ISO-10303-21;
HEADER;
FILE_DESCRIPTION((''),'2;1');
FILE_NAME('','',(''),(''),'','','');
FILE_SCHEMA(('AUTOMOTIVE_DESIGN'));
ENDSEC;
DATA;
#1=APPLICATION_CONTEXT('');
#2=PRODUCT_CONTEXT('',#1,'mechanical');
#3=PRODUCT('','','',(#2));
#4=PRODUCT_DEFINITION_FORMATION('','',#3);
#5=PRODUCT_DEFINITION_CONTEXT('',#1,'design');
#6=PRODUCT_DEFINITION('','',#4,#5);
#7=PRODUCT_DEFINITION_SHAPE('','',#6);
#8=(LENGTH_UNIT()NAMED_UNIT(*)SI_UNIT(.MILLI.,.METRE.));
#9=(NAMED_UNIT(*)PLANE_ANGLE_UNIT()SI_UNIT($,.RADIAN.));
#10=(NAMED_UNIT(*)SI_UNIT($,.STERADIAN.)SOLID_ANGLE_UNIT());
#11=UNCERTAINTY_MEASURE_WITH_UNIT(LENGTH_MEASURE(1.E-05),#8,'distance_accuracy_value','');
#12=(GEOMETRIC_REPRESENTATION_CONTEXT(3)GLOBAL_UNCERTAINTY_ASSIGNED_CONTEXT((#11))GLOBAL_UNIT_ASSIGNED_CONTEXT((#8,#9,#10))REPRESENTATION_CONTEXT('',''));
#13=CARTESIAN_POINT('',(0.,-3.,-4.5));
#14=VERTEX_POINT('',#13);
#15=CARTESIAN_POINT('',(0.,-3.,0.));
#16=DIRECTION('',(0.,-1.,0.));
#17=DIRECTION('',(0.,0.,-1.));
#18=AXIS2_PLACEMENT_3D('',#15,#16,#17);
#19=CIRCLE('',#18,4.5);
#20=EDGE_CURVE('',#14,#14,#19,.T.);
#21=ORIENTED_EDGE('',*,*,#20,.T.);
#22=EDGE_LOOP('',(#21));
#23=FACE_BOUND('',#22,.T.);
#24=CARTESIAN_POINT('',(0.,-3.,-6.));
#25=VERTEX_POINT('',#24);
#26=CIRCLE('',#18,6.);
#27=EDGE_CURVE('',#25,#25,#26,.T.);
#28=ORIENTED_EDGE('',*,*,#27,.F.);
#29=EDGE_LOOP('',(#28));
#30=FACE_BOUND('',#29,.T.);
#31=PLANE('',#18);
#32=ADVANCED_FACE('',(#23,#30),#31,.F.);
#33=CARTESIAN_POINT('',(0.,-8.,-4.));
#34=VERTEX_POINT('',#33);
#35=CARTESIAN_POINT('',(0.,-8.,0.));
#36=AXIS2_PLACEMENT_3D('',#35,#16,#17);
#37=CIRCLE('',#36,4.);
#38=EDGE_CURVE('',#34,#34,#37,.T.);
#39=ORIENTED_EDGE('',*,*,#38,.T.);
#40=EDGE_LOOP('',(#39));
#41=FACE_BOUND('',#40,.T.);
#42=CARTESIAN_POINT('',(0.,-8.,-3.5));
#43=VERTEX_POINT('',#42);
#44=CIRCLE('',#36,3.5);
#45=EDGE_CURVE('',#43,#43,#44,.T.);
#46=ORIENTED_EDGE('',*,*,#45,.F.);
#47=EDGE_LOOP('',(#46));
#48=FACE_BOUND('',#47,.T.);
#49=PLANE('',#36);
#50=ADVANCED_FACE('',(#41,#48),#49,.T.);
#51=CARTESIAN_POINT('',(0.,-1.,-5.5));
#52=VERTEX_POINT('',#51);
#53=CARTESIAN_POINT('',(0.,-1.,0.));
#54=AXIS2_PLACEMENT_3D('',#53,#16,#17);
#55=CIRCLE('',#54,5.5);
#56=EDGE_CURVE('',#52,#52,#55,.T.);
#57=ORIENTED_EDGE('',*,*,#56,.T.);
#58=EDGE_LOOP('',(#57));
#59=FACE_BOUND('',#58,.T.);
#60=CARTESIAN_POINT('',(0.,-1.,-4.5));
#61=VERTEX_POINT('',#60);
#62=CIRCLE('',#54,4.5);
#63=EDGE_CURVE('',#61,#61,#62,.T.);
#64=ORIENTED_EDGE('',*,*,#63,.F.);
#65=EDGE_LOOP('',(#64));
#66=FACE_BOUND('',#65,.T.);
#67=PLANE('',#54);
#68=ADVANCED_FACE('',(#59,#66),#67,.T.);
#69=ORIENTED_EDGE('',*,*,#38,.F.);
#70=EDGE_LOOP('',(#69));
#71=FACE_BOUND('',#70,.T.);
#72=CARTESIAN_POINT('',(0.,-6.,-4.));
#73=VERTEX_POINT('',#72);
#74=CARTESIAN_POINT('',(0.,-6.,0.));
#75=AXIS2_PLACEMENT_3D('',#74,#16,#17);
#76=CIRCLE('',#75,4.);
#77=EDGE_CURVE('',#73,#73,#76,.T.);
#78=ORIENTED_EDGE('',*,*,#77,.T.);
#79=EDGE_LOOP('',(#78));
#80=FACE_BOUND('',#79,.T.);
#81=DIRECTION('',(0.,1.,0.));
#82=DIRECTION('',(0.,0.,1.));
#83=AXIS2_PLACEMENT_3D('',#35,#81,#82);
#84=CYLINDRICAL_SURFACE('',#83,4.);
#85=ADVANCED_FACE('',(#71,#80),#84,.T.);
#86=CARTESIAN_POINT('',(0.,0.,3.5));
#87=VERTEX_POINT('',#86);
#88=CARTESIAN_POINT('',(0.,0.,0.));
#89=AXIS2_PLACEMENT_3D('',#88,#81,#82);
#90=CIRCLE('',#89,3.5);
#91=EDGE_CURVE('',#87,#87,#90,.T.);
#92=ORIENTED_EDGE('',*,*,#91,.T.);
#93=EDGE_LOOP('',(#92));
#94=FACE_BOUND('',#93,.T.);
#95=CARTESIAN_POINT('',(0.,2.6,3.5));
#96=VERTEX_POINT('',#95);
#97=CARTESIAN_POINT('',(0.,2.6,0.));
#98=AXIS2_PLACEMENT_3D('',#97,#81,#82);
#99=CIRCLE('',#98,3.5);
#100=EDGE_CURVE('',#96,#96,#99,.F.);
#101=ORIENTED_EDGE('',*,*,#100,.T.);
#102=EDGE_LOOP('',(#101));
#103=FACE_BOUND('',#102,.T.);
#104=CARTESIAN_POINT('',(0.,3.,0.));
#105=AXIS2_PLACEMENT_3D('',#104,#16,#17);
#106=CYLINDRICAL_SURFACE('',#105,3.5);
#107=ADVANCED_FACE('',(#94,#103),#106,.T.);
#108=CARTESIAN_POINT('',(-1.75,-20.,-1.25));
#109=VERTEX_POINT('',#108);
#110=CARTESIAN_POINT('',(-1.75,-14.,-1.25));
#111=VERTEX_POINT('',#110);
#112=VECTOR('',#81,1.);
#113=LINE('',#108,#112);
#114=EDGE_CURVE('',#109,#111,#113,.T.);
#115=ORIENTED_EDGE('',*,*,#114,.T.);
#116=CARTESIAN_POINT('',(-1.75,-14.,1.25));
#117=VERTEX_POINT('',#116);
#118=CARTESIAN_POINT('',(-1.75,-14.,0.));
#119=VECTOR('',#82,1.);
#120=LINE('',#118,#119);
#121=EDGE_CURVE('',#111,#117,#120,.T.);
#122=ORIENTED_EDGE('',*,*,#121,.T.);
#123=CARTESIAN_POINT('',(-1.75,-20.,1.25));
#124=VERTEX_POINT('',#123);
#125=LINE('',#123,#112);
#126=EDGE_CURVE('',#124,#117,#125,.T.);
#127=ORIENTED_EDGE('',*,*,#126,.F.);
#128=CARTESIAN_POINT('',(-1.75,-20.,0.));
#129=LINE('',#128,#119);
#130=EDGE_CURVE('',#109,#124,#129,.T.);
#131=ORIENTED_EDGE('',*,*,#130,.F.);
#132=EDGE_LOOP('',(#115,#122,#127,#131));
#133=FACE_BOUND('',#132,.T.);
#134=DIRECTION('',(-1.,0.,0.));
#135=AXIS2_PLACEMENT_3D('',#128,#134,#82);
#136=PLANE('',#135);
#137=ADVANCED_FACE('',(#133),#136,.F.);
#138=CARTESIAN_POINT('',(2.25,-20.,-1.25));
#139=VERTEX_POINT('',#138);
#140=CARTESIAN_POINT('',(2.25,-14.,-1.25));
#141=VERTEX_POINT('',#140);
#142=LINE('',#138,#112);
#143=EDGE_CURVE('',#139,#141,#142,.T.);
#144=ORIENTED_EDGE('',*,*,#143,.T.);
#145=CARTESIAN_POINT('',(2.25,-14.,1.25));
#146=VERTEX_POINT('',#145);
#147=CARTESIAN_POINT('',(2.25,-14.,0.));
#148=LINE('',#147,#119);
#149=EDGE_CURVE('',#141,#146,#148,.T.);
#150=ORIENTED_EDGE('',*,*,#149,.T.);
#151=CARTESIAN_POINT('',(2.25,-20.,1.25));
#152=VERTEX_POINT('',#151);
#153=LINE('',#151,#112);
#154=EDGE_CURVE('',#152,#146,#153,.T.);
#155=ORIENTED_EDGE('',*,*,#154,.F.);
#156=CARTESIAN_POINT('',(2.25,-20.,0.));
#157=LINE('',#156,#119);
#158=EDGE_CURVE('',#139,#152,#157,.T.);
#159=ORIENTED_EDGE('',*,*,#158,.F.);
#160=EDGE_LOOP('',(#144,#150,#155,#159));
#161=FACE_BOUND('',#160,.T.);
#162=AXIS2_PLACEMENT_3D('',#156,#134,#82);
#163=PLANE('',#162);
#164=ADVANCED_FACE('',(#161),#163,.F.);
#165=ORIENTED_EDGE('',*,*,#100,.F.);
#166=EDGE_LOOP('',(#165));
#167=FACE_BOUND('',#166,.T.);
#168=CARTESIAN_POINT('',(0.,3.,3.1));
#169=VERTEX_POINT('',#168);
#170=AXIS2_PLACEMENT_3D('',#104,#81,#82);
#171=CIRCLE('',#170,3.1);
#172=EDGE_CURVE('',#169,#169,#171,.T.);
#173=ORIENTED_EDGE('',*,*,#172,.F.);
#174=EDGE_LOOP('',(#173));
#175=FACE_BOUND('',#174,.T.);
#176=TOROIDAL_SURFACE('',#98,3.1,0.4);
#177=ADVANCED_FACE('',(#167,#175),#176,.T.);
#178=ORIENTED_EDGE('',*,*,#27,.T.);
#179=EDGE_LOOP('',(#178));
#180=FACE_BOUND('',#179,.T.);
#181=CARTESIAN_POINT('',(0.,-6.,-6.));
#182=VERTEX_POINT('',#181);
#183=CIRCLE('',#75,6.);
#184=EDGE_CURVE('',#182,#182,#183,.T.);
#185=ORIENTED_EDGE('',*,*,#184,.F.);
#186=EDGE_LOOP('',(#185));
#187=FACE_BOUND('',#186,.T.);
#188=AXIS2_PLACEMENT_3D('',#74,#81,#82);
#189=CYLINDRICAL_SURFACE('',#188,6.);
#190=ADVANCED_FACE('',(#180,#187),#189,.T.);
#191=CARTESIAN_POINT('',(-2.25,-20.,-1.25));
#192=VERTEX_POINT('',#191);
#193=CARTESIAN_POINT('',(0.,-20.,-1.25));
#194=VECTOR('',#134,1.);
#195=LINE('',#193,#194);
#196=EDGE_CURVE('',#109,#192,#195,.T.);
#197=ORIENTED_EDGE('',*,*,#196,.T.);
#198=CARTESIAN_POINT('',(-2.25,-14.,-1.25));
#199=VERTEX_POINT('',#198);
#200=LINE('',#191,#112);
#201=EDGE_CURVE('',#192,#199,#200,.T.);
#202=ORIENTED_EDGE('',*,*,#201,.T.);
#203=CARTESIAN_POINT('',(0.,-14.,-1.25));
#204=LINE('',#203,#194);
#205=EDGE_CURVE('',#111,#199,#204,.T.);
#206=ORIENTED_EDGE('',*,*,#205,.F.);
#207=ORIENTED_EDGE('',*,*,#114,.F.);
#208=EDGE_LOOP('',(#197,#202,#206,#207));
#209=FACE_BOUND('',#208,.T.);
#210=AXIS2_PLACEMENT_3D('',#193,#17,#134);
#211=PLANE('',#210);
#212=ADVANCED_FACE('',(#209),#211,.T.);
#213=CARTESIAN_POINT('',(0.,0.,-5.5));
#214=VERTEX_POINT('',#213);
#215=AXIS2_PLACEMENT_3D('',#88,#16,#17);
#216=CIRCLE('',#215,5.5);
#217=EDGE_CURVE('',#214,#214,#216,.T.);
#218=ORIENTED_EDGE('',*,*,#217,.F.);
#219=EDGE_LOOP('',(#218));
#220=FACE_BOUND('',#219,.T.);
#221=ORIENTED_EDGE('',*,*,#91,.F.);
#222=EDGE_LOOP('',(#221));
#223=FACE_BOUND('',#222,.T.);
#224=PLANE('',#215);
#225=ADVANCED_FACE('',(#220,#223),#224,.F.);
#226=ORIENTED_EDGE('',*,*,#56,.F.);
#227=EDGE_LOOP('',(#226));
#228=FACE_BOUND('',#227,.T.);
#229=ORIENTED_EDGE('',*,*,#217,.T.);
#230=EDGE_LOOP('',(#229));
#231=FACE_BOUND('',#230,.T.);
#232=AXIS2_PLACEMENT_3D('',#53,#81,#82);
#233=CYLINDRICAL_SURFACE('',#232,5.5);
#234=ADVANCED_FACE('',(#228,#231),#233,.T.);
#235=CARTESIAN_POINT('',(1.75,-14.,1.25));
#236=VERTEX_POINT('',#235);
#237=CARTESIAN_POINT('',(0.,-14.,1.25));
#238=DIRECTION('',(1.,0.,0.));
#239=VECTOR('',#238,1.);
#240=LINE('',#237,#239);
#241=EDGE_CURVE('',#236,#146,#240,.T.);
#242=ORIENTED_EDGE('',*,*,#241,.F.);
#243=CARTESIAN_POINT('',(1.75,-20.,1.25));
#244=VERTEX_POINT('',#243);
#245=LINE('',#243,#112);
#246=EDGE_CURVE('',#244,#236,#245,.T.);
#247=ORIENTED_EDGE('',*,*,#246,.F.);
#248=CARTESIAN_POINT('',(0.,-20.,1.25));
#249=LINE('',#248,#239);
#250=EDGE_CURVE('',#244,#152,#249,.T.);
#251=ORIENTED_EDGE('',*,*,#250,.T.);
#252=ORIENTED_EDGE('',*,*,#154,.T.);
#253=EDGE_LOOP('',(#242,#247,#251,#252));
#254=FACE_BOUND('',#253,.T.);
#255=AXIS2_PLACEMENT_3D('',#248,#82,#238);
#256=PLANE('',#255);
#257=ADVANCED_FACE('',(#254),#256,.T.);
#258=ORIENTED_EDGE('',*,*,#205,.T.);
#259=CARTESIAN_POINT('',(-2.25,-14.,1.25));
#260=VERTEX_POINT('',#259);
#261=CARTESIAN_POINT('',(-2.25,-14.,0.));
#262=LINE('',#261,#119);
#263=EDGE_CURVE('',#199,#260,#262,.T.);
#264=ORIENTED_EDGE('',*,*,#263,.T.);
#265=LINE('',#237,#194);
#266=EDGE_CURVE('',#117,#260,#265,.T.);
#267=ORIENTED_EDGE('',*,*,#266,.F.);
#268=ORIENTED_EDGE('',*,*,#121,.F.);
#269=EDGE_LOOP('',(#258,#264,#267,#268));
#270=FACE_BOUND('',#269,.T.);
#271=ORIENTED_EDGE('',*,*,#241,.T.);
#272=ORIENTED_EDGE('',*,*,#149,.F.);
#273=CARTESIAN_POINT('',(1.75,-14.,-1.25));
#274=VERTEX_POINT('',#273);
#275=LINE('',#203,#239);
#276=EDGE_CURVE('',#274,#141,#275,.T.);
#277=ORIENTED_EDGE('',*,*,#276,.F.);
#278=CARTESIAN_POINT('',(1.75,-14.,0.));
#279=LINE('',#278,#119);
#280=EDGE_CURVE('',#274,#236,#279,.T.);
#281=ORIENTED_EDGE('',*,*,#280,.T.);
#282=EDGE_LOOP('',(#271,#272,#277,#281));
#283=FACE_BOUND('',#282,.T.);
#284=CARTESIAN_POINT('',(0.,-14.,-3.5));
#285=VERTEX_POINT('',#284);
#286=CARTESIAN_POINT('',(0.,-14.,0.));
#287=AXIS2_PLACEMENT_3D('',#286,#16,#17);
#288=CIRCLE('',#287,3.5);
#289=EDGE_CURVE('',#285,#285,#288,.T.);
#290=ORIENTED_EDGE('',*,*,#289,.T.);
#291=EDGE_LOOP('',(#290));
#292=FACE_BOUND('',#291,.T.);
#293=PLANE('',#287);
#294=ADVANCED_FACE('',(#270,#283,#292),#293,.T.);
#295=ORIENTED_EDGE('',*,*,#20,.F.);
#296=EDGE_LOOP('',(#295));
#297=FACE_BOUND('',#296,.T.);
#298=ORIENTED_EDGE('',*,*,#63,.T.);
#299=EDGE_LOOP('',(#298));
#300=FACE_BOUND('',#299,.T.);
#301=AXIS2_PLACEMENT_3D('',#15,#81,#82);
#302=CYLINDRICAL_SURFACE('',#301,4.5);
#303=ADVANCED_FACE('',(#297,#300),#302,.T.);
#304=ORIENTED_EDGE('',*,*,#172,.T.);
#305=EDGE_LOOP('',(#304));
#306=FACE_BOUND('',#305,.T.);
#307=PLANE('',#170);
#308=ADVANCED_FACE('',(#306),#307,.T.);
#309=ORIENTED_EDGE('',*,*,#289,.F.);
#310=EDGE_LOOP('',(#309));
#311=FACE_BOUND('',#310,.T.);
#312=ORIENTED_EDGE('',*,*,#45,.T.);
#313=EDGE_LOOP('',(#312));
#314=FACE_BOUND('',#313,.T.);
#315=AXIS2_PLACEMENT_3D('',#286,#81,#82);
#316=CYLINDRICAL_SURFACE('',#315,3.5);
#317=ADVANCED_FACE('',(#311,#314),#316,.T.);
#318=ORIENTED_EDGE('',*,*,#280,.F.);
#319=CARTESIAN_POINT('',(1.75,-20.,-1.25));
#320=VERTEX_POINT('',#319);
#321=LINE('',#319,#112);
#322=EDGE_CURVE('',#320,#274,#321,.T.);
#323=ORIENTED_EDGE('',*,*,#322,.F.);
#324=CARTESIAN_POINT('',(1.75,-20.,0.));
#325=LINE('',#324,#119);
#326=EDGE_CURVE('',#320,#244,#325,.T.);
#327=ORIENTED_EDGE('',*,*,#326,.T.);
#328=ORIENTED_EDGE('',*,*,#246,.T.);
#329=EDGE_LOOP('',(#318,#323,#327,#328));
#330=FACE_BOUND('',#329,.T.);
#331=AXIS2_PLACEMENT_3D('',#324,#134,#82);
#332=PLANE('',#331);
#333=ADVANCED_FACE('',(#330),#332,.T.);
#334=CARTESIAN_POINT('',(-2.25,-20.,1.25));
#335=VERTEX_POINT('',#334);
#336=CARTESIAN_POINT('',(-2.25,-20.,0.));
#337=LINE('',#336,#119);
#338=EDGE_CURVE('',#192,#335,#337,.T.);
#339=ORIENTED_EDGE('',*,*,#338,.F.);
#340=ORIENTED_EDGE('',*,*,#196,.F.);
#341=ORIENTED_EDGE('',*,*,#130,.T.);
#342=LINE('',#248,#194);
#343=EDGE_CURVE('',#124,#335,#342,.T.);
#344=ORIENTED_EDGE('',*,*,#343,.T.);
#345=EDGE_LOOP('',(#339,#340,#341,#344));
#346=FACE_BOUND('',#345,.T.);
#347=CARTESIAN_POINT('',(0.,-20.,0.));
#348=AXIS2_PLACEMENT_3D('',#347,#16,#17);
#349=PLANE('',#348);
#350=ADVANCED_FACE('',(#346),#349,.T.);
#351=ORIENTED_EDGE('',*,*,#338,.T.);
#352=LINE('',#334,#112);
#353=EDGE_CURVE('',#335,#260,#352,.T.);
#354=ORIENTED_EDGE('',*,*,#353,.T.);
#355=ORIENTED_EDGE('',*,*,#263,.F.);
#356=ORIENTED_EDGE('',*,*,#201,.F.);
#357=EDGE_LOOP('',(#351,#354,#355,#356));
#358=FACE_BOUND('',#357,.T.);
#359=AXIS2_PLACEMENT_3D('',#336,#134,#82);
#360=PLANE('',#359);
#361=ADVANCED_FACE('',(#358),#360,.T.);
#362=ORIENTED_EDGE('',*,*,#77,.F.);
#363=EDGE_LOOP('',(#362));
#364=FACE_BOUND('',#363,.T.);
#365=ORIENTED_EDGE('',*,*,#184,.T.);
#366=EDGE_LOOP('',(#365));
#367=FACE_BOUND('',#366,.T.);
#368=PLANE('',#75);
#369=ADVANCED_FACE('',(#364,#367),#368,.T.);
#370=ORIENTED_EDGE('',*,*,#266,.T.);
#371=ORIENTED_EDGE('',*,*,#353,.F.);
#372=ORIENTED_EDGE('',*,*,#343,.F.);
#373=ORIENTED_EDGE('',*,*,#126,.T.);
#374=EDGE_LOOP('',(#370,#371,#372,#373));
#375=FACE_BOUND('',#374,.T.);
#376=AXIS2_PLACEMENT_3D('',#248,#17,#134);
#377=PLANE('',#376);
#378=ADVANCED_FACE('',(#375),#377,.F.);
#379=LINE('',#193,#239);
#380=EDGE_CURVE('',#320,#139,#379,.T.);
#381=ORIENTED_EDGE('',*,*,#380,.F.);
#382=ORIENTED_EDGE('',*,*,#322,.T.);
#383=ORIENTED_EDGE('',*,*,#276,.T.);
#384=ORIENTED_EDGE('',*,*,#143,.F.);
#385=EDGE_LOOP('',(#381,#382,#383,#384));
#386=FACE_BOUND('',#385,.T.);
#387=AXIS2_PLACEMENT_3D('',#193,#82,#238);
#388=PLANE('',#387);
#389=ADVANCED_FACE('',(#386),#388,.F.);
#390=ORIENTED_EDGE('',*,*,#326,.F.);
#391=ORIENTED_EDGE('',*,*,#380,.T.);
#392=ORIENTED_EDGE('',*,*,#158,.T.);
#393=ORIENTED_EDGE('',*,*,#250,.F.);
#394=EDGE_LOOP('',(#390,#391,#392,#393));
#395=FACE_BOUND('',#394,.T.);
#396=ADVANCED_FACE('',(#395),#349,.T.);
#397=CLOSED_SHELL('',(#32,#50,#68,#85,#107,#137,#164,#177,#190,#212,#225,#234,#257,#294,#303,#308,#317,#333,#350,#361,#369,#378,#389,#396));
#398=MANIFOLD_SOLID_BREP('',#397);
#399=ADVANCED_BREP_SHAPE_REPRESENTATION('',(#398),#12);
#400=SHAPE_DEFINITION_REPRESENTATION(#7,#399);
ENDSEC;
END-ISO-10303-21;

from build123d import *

# Parameters (mm, degrees)
SKETCH1_R           = 3.5
BOSS_EXTRUDE1_DEPTH = 3
FILLET1_R           = 0.4
SKETCH2_R           = 5.5
SKETCH2_R_2         = 3.5
BOSS_EXTRUDE2_DEPTH = 1
SKETCH3_R           = 4.5
BOSS_EXTRUDE3_DEPTH = 2
SKETCH4_R           = 6
SKETCH4_R_2         = 4.5
BOSS_EXTRUDE4_DEPTH = 3
SKETCH5_R           = 4
BOSS_EXTRUDE5_DEPTH = 2
SKETCH7_R           = 3.5
BOSS_EXTRUDE6_DEPTH = 6
SKETCH8_W           = 0.5
SKETCH8_H           = 2.5
BOSS_EXTRUDE7_DEPTH = 6


with BuildPart() as part:
    # Sketch1 → Boss-Extrude1 (new body)
    with BuildSketch(Plane(origin=(0, 0, 0), x_dir=(1, 0, 0), z_dir=(0, 1, 0))):
        with Locations(Location((0, 0, 0), (0, 0, 270))):
            Circle(SKETCH1_R)
    extrude(amount=BOSS_EXTRUDE1_DEPTH)

    # Fillet1
    fillet1_edges = [part.edges().sort_by_distance(p)[0] for p in [
        (0, 3, -3.5),
    ]]
    fillet(fillet1_edges, radius=FILLET1_R)

    # Sketch2 → Boss-Extrude2 (add)
    with BuildSketch(Plane.XZ):
        with Locations(Location((0, 0, 0), (0, 0, 270))):
            Circle(SKETCH2_R)
        with Locations(Location((0, 0, 0), (0, 0, 90))):
            Circle(SKETCH2_R_2, mode=Mode.SUBTRACT)
        with Locations(Location((0, 0, 0), (0, 0, 90))):
            Circle(SKETCH2_R_2)
    extrude(amount=BOSS_EXTRUDE2_DEPTH)

    # Sketch3 → Boss-Extrude3 (add)
    with BuildSketch(Plane.XZ.offset(1)):
        with Locations(Location((0, 0, 0), (0, 0, 270))):
            Circle(SKETCH3_R)
    extrude(amount=BOSS_EXTRUDE3_DEPTH)

    # Sketch4 → Boss-Extrude4 (add)
    with BuildSketch(Plane.XZ.offset(3)):
        with Locations(Location((0, 0, 0), (0, 0, 270))):
            Circle(SKETCH4_R)
        with Locations(Location((0, 0, 0), (0, 0, 270))):
            Circle(SKETCH4_R_2, mode=Mode.SUBTRACT)
        with Locations(Location((0, 0, 0), (0, 0, 270))):
            Circle(SKETCH4_R_2)
    extrude(amount=BOSS_EXTRUDE4_DEPTH)

    # Sketch5 → Boss-Extrude5 (add)
    with BuildSketch(Plane.XZ.offset(6)):
        with Locations(Location((0, 0, 0), (0, 0, 270))):
            Circle(SKETCH5_R)
    extrude(amount=BOSS_EXTRUDE5_DEPTH)

    # Sketch7 → Boss-Extrude6 (add)
    with BuildSketch(Plane.XZ.offset(8)):
        with Locations(Location((0, 0, 0), (0, 0, 90))):
            Circle(SKETCH7_R)
    extrude(amount=BOSS_EXTRUDE6_DEPTH)

    # Sketch8 → Boss-Extrude7 (add)
    with BuildSketch(Plane.XZ.offset(14)):
        with Locations((2, 0)):
            Rectangle(SKETCH8_W, SKETCH8_H)
        with Locations((-2, 0)):
            Rectangle(SKETCH8_W, SKETCH8_H)
    extrude(amount=BOSS_EXTRUDE7_DEPTH)


solid = part.part
